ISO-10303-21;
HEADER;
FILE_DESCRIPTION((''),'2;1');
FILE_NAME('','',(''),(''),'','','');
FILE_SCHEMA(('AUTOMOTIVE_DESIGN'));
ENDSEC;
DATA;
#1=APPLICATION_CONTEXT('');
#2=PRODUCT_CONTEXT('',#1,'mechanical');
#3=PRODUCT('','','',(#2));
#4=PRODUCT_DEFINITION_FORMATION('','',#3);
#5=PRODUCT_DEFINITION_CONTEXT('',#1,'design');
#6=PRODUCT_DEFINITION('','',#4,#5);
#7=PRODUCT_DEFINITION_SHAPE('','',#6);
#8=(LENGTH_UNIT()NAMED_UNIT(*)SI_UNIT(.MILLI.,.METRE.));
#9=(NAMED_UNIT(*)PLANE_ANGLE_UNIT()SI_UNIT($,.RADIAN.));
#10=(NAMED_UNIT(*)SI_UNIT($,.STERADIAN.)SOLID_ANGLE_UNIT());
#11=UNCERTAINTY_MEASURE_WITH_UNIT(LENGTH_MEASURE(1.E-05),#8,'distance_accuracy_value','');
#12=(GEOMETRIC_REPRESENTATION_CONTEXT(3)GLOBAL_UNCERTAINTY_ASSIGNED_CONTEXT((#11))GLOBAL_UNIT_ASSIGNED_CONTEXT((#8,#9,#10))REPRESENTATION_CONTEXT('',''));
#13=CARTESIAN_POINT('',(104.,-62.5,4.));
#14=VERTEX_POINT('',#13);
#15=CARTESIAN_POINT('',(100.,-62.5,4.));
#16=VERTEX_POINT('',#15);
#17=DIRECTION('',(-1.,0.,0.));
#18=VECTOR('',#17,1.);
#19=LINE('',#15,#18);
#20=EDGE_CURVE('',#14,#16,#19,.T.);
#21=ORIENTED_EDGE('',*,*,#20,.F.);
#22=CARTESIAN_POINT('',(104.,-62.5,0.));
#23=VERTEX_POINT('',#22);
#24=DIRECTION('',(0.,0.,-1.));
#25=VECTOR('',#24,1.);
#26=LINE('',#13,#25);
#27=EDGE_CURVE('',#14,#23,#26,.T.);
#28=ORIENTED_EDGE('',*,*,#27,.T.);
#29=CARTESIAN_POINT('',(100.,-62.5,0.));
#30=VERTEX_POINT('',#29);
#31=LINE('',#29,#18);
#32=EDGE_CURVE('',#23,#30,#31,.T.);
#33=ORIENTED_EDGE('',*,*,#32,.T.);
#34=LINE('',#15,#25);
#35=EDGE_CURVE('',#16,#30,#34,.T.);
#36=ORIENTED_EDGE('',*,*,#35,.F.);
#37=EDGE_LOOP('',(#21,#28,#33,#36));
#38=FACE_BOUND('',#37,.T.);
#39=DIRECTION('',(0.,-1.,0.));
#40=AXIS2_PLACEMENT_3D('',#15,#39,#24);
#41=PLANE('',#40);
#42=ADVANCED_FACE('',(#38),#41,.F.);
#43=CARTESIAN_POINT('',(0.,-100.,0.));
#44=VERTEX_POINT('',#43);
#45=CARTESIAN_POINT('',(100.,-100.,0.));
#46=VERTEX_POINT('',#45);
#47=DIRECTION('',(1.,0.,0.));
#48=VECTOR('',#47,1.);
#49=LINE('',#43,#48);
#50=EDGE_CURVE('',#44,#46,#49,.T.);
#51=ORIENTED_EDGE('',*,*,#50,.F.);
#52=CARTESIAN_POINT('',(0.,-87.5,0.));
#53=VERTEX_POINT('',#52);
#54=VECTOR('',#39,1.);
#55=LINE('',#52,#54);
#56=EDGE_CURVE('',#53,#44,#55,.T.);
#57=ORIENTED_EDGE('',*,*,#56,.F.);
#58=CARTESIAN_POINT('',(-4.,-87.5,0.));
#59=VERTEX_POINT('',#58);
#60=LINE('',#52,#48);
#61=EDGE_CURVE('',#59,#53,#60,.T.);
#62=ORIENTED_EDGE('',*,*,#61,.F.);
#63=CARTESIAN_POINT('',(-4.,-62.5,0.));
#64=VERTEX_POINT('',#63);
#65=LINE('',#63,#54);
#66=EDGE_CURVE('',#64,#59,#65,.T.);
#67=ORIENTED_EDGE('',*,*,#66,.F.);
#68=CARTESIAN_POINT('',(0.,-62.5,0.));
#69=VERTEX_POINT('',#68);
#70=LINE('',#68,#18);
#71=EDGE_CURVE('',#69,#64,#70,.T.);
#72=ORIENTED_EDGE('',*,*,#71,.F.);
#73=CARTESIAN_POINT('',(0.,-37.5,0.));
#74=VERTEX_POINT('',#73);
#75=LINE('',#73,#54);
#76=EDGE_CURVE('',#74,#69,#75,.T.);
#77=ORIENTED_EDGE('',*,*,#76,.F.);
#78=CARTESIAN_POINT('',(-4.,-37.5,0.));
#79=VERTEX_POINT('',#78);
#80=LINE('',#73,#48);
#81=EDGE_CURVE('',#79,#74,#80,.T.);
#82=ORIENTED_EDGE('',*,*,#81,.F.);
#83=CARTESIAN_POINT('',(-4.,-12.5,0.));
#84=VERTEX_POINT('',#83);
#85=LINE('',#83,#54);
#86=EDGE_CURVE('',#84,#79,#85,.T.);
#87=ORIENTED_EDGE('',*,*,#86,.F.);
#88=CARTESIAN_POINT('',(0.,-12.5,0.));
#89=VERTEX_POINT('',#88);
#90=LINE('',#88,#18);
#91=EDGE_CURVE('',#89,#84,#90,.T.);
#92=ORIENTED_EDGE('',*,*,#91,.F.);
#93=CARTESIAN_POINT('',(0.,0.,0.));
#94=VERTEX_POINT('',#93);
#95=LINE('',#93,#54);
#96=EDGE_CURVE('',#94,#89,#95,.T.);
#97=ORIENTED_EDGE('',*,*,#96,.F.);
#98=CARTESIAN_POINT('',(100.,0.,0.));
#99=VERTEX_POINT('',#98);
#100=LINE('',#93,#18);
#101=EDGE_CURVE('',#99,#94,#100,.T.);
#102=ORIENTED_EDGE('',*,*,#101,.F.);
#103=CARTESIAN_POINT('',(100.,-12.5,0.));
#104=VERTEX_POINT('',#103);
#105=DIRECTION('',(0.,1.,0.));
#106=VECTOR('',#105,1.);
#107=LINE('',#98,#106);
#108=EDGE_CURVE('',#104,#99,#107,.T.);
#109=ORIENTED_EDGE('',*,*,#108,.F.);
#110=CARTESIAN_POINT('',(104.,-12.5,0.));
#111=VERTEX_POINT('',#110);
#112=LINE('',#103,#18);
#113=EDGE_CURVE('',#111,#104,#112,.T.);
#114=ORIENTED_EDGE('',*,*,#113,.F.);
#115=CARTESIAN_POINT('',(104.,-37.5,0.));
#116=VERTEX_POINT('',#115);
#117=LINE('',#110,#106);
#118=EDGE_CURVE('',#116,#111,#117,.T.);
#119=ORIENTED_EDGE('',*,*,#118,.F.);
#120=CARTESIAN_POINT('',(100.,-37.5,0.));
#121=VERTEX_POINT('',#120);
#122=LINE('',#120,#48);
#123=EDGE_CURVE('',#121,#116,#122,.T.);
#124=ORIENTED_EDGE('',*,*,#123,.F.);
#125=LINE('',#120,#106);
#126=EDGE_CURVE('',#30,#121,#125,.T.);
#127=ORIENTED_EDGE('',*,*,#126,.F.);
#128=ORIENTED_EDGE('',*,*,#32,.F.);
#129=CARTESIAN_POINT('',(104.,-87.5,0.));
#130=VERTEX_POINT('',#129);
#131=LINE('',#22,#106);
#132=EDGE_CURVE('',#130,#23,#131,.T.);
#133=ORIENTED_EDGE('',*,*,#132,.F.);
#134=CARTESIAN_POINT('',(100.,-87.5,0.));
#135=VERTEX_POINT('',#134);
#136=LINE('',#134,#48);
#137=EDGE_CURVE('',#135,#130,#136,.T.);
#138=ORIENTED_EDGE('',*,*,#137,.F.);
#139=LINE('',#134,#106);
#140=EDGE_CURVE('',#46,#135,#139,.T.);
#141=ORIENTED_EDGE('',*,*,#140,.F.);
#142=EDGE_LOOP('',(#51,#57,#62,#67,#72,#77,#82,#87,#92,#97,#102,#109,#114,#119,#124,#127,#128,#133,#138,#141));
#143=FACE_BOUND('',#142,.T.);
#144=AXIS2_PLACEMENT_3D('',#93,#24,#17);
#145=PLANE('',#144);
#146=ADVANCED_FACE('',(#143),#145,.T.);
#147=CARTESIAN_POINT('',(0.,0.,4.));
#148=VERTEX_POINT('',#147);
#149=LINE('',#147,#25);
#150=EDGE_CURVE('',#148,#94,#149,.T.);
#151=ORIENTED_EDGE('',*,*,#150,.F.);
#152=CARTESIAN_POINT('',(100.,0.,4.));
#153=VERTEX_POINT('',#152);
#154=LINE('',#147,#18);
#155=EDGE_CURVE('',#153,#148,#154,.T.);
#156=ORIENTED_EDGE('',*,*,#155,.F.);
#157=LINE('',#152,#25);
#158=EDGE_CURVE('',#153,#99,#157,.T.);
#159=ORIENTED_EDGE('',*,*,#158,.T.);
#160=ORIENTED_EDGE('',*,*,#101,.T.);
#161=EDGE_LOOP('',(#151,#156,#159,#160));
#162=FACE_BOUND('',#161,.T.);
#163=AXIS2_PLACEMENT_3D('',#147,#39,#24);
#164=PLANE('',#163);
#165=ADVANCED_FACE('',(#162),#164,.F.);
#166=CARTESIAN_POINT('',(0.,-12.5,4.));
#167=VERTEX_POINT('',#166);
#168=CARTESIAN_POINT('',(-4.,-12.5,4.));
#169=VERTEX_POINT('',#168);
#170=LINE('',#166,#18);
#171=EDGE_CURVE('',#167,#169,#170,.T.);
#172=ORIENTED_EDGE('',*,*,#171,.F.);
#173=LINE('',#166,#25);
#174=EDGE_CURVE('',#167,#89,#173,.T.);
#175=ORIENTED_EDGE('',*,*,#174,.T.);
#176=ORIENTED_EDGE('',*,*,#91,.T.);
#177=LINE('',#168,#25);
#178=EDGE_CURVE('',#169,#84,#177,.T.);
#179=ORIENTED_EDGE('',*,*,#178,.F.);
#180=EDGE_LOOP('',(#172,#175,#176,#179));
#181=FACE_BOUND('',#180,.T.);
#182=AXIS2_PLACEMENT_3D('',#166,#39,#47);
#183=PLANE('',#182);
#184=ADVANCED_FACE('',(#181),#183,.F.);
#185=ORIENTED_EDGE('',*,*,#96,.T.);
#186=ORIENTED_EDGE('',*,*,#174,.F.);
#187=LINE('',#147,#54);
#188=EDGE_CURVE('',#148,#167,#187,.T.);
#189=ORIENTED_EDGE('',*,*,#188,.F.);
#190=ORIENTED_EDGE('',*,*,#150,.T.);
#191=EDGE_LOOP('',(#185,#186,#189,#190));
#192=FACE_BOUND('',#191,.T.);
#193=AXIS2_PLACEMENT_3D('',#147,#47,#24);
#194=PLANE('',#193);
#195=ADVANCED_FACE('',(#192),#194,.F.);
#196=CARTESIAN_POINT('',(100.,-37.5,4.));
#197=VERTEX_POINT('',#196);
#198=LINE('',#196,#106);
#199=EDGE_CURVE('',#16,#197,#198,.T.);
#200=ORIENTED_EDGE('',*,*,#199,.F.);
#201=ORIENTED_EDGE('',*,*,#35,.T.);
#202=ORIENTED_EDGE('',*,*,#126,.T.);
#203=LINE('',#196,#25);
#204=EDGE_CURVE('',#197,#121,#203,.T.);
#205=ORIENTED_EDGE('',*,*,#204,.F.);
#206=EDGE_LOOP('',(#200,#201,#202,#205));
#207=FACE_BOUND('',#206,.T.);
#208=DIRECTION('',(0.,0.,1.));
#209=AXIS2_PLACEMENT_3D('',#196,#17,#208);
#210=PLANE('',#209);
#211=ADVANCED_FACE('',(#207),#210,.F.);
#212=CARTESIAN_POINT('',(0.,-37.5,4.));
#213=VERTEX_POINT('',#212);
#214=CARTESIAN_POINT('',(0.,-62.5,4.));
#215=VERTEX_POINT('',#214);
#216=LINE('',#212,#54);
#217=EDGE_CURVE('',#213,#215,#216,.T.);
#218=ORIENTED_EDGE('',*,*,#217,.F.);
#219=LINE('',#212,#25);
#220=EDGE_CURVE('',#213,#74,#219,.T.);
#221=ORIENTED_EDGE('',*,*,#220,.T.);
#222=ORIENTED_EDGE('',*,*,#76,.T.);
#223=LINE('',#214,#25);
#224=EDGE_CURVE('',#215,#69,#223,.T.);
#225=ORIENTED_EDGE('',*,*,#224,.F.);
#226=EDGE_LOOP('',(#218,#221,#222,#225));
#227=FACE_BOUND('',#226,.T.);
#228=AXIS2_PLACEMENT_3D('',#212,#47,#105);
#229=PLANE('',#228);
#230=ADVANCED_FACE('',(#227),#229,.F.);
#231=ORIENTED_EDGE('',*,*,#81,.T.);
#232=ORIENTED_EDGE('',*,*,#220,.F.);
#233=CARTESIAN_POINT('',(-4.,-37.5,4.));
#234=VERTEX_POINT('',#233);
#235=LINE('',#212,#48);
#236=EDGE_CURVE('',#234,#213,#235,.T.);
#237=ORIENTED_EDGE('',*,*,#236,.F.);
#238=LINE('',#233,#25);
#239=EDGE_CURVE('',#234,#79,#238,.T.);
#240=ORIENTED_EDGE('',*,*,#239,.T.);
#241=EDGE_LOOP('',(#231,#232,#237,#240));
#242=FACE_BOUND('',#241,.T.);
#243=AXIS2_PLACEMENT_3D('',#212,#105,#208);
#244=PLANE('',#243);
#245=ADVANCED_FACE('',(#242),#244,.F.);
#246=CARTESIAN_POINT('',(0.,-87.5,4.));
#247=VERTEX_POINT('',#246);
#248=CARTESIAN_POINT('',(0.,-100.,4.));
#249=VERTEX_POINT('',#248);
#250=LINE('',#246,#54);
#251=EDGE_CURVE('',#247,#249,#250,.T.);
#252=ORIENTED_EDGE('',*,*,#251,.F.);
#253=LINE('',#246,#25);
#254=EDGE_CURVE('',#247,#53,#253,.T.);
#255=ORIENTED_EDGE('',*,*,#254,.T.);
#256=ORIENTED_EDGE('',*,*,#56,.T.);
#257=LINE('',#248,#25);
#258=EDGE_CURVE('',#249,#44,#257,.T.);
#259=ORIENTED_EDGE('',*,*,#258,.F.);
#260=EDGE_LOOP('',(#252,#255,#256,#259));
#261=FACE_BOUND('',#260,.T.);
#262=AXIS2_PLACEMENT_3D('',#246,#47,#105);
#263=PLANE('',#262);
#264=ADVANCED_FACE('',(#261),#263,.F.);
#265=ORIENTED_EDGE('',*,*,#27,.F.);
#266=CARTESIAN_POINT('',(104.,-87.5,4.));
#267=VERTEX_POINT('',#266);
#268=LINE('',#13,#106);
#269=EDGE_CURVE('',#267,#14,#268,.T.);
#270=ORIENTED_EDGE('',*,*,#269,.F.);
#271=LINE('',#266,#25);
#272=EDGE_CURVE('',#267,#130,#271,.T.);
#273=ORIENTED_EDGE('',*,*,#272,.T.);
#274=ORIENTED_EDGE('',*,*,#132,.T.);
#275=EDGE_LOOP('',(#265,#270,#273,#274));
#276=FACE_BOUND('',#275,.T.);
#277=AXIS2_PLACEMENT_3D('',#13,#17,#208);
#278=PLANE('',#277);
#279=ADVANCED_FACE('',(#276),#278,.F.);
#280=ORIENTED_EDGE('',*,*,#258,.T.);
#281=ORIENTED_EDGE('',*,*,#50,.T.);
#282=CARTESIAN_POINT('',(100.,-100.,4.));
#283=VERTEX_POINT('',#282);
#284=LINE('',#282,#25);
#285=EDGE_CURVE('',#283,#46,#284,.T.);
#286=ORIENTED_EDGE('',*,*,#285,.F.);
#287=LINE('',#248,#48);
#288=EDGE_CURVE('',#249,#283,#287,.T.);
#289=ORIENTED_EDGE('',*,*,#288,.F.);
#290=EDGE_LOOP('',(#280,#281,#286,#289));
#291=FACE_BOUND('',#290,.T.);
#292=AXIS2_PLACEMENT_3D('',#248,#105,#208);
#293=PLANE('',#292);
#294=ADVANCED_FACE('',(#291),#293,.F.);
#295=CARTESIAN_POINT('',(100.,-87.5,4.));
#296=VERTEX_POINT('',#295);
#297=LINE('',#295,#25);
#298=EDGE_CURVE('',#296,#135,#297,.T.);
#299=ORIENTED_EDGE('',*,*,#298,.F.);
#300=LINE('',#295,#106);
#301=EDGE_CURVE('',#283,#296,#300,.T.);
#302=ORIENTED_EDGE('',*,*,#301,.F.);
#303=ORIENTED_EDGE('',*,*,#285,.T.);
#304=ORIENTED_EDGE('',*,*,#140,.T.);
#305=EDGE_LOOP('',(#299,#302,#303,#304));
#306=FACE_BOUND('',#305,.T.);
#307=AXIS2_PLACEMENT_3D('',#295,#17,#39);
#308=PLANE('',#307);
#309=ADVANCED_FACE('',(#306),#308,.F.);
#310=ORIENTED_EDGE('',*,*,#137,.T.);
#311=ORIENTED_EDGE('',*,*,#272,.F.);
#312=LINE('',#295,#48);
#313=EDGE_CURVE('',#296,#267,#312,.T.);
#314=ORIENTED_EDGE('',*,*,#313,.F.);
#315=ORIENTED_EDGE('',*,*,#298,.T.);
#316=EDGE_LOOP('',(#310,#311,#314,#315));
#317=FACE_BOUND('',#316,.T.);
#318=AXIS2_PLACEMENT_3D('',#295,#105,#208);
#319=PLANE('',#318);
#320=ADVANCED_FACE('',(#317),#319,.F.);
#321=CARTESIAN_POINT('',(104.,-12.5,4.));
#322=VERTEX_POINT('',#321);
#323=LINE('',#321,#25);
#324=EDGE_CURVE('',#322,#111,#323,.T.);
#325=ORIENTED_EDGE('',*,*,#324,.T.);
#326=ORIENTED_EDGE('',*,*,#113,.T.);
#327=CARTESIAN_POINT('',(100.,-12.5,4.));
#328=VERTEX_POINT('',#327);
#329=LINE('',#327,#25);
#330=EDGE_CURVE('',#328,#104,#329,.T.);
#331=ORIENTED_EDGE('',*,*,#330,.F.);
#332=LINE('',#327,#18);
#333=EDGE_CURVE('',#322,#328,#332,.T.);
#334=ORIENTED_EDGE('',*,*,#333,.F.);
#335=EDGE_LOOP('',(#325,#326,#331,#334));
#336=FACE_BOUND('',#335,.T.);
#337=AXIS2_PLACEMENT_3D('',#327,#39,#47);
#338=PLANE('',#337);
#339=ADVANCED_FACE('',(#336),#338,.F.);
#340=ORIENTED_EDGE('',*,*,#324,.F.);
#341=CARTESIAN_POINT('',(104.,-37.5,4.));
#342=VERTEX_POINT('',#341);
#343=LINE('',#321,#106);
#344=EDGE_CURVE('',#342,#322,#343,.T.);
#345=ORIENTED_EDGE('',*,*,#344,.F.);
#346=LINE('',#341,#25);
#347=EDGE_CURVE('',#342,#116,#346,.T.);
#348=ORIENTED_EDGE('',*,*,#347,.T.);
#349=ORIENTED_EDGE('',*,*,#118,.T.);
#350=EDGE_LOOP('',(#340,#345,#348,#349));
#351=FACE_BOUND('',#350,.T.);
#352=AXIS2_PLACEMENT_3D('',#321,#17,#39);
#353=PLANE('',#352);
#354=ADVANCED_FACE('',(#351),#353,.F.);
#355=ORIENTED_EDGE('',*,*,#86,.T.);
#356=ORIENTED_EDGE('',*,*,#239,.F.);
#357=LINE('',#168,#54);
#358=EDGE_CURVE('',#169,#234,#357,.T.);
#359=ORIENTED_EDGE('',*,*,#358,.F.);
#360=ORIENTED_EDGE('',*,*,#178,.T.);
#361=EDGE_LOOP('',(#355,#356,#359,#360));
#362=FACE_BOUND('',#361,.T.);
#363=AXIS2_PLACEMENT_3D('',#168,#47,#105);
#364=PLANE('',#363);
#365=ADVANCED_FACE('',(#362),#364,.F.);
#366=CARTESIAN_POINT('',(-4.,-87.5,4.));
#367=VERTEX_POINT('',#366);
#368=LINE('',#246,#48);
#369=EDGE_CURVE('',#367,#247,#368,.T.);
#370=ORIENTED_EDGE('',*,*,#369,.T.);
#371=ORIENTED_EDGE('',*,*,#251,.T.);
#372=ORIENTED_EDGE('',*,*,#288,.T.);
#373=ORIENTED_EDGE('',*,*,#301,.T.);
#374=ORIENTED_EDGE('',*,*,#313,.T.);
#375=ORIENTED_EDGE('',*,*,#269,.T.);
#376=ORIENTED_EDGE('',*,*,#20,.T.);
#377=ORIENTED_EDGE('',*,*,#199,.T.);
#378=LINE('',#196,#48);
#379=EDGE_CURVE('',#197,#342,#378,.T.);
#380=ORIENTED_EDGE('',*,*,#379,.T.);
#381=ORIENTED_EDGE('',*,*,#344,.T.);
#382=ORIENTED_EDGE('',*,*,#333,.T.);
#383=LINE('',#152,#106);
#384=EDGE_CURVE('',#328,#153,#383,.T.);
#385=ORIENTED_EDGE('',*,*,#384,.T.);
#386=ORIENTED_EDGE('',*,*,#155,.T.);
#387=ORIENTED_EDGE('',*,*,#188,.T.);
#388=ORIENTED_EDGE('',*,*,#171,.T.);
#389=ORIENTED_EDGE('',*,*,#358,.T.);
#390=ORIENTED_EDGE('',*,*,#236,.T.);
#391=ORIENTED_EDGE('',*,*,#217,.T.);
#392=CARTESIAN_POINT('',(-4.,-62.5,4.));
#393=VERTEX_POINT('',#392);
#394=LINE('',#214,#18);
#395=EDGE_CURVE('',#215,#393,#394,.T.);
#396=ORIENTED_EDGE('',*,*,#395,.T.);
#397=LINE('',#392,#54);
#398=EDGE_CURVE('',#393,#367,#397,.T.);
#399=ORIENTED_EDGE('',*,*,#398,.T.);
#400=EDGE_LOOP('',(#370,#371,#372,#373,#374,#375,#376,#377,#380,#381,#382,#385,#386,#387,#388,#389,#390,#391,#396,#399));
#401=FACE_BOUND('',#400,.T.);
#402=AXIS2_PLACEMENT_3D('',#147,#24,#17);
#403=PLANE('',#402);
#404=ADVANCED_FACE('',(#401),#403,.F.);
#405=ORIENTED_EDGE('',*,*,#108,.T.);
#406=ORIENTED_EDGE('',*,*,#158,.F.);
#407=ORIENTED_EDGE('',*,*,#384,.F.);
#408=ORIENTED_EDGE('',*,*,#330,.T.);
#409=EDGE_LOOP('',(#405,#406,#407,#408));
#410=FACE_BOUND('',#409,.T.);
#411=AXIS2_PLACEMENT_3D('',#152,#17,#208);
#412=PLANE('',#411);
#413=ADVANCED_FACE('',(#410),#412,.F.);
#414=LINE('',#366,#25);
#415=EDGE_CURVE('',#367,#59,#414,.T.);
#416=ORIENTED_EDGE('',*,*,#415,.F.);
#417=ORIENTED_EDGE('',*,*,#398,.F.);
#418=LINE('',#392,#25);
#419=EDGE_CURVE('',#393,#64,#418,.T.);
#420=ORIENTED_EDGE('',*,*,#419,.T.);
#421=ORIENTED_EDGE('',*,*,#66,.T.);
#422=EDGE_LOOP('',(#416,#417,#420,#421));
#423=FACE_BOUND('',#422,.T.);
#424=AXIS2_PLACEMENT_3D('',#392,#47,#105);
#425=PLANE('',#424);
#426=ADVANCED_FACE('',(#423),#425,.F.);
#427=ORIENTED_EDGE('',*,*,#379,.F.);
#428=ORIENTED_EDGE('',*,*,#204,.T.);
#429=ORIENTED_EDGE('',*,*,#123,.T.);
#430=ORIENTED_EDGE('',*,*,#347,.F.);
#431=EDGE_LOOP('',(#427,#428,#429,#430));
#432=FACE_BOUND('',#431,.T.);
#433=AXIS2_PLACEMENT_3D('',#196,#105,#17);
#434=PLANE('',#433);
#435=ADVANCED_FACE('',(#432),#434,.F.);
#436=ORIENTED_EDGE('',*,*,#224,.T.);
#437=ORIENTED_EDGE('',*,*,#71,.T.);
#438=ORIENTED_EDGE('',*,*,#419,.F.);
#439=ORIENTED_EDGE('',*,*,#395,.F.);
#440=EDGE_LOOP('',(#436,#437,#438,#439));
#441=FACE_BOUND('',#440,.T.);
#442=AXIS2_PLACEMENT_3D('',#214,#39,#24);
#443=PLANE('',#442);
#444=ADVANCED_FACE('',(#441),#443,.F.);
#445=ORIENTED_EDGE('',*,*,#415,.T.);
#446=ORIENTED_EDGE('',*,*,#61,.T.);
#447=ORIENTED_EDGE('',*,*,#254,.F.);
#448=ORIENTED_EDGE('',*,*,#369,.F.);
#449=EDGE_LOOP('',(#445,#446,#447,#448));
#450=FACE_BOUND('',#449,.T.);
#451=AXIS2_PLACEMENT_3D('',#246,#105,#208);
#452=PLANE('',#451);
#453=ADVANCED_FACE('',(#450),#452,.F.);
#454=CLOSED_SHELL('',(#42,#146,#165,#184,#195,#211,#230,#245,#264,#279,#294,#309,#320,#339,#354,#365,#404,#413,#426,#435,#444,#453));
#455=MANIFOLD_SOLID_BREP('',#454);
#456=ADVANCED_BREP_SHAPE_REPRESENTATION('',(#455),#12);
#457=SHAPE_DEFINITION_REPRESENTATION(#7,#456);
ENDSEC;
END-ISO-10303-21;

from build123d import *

# Parameters (mm, degrees)
BOSS_EXTRUDE1_DEPTH = 4


with BuildPart() as part:
    # Sketch1 → Boss-Extrude1 (new body)
    with BuildSketch(Plane.XY):
        Polygon((0, 0), (100, 0), (100, -12.5), (104, -12.5), (104, -37.5), (100, -37.5), (100, -62.5), (104, -62.5), (104, -87.5), (100, -87.5), (100, -100), (0, -100), (0, -87.5), (-4, -87.5), (-4, -62.5), (0, -62.5), (0, -37.5), (-4, -37.5), (-4, -12.5), (0, -12.5), align=None)
    extrude(amount=BOSS_EXTRUDE1_DEPTH)


solid = part.part
